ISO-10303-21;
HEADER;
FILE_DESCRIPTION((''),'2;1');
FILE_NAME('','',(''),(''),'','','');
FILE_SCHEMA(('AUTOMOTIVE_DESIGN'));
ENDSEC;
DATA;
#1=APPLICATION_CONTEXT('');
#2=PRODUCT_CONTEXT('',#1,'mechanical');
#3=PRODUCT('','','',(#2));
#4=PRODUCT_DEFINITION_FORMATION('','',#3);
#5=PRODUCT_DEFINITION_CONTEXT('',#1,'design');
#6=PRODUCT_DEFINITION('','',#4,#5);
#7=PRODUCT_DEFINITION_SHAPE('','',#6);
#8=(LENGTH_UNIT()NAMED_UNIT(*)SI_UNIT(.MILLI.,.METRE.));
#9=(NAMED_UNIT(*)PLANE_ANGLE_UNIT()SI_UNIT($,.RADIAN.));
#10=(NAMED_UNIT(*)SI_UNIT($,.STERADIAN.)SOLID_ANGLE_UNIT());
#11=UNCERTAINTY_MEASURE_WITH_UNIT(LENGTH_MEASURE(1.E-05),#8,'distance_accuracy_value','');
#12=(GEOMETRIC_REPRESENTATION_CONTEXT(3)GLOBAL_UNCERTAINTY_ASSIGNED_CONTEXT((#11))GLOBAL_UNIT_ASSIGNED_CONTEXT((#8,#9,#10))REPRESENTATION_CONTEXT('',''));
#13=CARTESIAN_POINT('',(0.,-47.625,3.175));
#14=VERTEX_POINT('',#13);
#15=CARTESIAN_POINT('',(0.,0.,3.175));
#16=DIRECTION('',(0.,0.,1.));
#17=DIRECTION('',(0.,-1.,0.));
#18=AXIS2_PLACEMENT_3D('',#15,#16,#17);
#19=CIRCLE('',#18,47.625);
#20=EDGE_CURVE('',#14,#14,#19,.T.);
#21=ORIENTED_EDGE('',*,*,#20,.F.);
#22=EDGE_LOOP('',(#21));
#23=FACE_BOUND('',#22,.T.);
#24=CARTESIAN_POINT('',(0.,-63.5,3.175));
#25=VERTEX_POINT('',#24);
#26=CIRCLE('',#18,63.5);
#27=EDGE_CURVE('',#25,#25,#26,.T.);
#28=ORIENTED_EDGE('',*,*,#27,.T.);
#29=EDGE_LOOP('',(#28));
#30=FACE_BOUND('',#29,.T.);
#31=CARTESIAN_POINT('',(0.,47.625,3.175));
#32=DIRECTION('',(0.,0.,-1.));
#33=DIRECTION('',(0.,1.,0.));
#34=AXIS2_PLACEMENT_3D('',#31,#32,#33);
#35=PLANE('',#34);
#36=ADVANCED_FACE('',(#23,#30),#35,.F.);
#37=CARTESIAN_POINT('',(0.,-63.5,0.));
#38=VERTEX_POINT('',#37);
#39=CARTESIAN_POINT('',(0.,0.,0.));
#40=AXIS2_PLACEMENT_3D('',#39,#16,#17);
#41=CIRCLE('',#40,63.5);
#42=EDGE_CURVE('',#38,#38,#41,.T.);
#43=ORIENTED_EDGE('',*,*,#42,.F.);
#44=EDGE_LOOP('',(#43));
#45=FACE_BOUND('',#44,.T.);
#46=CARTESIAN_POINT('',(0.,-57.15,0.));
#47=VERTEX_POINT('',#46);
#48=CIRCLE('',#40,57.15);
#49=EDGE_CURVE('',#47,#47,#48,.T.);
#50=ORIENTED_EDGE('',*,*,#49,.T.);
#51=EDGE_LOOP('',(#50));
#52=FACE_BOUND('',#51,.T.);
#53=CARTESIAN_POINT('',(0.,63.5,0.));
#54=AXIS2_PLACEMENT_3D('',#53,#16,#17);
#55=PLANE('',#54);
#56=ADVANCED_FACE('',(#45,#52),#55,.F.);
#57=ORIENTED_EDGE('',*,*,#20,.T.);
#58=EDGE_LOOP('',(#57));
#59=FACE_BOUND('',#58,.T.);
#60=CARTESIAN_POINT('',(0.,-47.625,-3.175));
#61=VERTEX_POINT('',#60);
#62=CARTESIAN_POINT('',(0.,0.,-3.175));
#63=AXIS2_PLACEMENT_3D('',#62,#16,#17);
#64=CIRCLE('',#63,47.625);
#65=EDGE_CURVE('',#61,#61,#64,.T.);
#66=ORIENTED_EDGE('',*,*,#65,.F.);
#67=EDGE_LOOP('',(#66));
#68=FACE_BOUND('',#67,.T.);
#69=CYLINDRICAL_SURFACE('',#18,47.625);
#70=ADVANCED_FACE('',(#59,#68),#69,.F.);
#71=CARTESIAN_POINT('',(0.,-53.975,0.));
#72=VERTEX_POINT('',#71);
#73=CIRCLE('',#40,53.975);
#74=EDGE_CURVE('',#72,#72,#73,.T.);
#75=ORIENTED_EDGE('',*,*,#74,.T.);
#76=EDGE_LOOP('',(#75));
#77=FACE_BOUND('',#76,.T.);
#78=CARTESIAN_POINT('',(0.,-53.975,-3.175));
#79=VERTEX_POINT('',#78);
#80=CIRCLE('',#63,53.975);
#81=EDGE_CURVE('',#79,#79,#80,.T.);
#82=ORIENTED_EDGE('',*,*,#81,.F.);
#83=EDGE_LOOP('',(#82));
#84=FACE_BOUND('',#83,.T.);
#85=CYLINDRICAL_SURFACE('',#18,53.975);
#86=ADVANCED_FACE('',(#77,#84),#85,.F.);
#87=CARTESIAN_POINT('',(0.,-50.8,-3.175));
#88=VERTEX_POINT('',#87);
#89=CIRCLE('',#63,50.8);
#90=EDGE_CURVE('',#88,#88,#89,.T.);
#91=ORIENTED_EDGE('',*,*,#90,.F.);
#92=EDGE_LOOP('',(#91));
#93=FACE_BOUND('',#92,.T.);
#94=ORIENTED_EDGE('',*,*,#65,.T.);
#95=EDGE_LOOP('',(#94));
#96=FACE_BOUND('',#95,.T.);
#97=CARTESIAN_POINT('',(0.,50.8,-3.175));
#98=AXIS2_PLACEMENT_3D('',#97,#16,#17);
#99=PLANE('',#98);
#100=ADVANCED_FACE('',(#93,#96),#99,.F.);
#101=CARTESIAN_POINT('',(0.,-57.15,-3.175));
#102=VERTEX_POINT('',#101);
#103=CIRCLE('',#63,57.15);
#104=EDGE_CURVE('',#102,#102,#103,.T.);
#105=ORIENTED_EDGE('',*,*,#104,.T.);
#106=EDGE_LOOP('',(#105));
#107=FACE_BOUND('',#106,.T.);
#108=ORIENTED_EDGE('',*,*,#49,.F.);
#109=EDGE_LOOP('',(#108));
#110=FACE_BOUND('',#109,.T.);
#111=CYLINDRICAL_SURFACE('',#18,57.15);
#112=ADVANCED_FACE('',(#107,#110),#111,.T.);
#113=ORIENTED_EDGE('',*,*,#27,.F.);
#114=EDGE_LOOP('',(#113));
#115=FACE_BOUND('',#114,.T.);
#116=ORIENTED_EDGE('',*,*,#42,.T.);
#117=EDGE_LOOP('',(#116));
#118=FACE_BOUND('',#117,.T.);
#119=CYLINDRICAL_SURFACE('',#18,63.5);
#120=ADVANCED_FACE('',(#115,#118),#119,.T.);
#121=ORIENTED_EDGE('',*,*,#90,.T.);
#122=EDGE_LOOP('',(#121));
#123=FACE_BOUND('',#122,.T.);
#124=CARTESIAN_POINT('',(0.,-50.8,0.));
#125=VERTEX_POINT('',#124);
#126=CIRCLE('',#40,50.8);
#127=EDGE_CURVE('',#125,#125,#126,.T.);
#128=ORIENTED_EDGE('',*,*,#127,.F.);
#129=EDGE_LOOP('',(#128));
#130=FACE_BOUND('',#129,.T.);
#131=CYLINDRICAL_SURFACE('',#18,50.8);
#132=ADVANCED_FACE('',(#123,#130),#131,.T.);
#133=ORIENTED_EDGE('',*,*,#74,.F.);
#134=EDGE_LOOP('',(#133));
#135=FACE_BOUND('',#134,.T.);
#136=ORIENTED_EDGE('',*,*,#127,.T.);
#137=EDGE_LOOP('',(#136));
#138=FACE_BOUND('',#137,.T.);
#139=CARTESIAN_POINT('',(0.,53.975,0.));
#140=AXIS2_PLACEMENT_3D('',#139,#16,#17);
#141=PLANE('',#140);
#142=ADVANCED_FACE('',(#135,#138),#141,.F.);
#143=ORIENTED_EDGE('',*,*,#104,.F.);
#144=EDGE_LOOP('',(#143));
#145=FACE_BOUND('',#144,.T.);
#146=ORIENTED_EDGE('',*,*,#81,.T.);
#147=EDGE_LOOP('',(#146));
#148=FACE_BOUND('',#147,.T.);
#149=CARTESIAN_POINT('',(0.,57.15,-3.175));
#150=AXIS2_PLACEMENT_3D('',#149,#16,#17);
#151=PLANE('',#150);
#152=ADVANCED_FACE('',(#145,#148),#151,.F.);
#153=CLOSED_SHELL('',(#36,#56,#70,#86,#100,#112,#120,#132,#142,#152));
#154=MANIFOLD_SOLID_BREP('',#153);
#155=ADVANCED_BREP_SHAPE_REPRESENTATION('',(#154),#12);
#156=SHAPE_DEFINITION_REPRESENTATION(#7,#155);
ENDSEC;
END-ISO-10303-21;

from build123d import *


with BuildPart() as part:
    # Sketch1 → Revolve1 (revolve)
    with BuildSketch(Plane(origin=(0, 0, 0), x_dir=(0, 0, -1), z_dir=(1, 0, 0))):
        Polygon((-3.175, 47.625), (3.175, 47.625), (3.175, 50.8), (0, 50.8), (0, 53.975), (3.175, 53.975), (3.175, 57.15), (0, 57.15), (0, 63.5), (-3.175, 63.5), align=None)
    revolve(axis=Axis((0, 0, 3.175), (0, 0, -1)))


solid = part.part
